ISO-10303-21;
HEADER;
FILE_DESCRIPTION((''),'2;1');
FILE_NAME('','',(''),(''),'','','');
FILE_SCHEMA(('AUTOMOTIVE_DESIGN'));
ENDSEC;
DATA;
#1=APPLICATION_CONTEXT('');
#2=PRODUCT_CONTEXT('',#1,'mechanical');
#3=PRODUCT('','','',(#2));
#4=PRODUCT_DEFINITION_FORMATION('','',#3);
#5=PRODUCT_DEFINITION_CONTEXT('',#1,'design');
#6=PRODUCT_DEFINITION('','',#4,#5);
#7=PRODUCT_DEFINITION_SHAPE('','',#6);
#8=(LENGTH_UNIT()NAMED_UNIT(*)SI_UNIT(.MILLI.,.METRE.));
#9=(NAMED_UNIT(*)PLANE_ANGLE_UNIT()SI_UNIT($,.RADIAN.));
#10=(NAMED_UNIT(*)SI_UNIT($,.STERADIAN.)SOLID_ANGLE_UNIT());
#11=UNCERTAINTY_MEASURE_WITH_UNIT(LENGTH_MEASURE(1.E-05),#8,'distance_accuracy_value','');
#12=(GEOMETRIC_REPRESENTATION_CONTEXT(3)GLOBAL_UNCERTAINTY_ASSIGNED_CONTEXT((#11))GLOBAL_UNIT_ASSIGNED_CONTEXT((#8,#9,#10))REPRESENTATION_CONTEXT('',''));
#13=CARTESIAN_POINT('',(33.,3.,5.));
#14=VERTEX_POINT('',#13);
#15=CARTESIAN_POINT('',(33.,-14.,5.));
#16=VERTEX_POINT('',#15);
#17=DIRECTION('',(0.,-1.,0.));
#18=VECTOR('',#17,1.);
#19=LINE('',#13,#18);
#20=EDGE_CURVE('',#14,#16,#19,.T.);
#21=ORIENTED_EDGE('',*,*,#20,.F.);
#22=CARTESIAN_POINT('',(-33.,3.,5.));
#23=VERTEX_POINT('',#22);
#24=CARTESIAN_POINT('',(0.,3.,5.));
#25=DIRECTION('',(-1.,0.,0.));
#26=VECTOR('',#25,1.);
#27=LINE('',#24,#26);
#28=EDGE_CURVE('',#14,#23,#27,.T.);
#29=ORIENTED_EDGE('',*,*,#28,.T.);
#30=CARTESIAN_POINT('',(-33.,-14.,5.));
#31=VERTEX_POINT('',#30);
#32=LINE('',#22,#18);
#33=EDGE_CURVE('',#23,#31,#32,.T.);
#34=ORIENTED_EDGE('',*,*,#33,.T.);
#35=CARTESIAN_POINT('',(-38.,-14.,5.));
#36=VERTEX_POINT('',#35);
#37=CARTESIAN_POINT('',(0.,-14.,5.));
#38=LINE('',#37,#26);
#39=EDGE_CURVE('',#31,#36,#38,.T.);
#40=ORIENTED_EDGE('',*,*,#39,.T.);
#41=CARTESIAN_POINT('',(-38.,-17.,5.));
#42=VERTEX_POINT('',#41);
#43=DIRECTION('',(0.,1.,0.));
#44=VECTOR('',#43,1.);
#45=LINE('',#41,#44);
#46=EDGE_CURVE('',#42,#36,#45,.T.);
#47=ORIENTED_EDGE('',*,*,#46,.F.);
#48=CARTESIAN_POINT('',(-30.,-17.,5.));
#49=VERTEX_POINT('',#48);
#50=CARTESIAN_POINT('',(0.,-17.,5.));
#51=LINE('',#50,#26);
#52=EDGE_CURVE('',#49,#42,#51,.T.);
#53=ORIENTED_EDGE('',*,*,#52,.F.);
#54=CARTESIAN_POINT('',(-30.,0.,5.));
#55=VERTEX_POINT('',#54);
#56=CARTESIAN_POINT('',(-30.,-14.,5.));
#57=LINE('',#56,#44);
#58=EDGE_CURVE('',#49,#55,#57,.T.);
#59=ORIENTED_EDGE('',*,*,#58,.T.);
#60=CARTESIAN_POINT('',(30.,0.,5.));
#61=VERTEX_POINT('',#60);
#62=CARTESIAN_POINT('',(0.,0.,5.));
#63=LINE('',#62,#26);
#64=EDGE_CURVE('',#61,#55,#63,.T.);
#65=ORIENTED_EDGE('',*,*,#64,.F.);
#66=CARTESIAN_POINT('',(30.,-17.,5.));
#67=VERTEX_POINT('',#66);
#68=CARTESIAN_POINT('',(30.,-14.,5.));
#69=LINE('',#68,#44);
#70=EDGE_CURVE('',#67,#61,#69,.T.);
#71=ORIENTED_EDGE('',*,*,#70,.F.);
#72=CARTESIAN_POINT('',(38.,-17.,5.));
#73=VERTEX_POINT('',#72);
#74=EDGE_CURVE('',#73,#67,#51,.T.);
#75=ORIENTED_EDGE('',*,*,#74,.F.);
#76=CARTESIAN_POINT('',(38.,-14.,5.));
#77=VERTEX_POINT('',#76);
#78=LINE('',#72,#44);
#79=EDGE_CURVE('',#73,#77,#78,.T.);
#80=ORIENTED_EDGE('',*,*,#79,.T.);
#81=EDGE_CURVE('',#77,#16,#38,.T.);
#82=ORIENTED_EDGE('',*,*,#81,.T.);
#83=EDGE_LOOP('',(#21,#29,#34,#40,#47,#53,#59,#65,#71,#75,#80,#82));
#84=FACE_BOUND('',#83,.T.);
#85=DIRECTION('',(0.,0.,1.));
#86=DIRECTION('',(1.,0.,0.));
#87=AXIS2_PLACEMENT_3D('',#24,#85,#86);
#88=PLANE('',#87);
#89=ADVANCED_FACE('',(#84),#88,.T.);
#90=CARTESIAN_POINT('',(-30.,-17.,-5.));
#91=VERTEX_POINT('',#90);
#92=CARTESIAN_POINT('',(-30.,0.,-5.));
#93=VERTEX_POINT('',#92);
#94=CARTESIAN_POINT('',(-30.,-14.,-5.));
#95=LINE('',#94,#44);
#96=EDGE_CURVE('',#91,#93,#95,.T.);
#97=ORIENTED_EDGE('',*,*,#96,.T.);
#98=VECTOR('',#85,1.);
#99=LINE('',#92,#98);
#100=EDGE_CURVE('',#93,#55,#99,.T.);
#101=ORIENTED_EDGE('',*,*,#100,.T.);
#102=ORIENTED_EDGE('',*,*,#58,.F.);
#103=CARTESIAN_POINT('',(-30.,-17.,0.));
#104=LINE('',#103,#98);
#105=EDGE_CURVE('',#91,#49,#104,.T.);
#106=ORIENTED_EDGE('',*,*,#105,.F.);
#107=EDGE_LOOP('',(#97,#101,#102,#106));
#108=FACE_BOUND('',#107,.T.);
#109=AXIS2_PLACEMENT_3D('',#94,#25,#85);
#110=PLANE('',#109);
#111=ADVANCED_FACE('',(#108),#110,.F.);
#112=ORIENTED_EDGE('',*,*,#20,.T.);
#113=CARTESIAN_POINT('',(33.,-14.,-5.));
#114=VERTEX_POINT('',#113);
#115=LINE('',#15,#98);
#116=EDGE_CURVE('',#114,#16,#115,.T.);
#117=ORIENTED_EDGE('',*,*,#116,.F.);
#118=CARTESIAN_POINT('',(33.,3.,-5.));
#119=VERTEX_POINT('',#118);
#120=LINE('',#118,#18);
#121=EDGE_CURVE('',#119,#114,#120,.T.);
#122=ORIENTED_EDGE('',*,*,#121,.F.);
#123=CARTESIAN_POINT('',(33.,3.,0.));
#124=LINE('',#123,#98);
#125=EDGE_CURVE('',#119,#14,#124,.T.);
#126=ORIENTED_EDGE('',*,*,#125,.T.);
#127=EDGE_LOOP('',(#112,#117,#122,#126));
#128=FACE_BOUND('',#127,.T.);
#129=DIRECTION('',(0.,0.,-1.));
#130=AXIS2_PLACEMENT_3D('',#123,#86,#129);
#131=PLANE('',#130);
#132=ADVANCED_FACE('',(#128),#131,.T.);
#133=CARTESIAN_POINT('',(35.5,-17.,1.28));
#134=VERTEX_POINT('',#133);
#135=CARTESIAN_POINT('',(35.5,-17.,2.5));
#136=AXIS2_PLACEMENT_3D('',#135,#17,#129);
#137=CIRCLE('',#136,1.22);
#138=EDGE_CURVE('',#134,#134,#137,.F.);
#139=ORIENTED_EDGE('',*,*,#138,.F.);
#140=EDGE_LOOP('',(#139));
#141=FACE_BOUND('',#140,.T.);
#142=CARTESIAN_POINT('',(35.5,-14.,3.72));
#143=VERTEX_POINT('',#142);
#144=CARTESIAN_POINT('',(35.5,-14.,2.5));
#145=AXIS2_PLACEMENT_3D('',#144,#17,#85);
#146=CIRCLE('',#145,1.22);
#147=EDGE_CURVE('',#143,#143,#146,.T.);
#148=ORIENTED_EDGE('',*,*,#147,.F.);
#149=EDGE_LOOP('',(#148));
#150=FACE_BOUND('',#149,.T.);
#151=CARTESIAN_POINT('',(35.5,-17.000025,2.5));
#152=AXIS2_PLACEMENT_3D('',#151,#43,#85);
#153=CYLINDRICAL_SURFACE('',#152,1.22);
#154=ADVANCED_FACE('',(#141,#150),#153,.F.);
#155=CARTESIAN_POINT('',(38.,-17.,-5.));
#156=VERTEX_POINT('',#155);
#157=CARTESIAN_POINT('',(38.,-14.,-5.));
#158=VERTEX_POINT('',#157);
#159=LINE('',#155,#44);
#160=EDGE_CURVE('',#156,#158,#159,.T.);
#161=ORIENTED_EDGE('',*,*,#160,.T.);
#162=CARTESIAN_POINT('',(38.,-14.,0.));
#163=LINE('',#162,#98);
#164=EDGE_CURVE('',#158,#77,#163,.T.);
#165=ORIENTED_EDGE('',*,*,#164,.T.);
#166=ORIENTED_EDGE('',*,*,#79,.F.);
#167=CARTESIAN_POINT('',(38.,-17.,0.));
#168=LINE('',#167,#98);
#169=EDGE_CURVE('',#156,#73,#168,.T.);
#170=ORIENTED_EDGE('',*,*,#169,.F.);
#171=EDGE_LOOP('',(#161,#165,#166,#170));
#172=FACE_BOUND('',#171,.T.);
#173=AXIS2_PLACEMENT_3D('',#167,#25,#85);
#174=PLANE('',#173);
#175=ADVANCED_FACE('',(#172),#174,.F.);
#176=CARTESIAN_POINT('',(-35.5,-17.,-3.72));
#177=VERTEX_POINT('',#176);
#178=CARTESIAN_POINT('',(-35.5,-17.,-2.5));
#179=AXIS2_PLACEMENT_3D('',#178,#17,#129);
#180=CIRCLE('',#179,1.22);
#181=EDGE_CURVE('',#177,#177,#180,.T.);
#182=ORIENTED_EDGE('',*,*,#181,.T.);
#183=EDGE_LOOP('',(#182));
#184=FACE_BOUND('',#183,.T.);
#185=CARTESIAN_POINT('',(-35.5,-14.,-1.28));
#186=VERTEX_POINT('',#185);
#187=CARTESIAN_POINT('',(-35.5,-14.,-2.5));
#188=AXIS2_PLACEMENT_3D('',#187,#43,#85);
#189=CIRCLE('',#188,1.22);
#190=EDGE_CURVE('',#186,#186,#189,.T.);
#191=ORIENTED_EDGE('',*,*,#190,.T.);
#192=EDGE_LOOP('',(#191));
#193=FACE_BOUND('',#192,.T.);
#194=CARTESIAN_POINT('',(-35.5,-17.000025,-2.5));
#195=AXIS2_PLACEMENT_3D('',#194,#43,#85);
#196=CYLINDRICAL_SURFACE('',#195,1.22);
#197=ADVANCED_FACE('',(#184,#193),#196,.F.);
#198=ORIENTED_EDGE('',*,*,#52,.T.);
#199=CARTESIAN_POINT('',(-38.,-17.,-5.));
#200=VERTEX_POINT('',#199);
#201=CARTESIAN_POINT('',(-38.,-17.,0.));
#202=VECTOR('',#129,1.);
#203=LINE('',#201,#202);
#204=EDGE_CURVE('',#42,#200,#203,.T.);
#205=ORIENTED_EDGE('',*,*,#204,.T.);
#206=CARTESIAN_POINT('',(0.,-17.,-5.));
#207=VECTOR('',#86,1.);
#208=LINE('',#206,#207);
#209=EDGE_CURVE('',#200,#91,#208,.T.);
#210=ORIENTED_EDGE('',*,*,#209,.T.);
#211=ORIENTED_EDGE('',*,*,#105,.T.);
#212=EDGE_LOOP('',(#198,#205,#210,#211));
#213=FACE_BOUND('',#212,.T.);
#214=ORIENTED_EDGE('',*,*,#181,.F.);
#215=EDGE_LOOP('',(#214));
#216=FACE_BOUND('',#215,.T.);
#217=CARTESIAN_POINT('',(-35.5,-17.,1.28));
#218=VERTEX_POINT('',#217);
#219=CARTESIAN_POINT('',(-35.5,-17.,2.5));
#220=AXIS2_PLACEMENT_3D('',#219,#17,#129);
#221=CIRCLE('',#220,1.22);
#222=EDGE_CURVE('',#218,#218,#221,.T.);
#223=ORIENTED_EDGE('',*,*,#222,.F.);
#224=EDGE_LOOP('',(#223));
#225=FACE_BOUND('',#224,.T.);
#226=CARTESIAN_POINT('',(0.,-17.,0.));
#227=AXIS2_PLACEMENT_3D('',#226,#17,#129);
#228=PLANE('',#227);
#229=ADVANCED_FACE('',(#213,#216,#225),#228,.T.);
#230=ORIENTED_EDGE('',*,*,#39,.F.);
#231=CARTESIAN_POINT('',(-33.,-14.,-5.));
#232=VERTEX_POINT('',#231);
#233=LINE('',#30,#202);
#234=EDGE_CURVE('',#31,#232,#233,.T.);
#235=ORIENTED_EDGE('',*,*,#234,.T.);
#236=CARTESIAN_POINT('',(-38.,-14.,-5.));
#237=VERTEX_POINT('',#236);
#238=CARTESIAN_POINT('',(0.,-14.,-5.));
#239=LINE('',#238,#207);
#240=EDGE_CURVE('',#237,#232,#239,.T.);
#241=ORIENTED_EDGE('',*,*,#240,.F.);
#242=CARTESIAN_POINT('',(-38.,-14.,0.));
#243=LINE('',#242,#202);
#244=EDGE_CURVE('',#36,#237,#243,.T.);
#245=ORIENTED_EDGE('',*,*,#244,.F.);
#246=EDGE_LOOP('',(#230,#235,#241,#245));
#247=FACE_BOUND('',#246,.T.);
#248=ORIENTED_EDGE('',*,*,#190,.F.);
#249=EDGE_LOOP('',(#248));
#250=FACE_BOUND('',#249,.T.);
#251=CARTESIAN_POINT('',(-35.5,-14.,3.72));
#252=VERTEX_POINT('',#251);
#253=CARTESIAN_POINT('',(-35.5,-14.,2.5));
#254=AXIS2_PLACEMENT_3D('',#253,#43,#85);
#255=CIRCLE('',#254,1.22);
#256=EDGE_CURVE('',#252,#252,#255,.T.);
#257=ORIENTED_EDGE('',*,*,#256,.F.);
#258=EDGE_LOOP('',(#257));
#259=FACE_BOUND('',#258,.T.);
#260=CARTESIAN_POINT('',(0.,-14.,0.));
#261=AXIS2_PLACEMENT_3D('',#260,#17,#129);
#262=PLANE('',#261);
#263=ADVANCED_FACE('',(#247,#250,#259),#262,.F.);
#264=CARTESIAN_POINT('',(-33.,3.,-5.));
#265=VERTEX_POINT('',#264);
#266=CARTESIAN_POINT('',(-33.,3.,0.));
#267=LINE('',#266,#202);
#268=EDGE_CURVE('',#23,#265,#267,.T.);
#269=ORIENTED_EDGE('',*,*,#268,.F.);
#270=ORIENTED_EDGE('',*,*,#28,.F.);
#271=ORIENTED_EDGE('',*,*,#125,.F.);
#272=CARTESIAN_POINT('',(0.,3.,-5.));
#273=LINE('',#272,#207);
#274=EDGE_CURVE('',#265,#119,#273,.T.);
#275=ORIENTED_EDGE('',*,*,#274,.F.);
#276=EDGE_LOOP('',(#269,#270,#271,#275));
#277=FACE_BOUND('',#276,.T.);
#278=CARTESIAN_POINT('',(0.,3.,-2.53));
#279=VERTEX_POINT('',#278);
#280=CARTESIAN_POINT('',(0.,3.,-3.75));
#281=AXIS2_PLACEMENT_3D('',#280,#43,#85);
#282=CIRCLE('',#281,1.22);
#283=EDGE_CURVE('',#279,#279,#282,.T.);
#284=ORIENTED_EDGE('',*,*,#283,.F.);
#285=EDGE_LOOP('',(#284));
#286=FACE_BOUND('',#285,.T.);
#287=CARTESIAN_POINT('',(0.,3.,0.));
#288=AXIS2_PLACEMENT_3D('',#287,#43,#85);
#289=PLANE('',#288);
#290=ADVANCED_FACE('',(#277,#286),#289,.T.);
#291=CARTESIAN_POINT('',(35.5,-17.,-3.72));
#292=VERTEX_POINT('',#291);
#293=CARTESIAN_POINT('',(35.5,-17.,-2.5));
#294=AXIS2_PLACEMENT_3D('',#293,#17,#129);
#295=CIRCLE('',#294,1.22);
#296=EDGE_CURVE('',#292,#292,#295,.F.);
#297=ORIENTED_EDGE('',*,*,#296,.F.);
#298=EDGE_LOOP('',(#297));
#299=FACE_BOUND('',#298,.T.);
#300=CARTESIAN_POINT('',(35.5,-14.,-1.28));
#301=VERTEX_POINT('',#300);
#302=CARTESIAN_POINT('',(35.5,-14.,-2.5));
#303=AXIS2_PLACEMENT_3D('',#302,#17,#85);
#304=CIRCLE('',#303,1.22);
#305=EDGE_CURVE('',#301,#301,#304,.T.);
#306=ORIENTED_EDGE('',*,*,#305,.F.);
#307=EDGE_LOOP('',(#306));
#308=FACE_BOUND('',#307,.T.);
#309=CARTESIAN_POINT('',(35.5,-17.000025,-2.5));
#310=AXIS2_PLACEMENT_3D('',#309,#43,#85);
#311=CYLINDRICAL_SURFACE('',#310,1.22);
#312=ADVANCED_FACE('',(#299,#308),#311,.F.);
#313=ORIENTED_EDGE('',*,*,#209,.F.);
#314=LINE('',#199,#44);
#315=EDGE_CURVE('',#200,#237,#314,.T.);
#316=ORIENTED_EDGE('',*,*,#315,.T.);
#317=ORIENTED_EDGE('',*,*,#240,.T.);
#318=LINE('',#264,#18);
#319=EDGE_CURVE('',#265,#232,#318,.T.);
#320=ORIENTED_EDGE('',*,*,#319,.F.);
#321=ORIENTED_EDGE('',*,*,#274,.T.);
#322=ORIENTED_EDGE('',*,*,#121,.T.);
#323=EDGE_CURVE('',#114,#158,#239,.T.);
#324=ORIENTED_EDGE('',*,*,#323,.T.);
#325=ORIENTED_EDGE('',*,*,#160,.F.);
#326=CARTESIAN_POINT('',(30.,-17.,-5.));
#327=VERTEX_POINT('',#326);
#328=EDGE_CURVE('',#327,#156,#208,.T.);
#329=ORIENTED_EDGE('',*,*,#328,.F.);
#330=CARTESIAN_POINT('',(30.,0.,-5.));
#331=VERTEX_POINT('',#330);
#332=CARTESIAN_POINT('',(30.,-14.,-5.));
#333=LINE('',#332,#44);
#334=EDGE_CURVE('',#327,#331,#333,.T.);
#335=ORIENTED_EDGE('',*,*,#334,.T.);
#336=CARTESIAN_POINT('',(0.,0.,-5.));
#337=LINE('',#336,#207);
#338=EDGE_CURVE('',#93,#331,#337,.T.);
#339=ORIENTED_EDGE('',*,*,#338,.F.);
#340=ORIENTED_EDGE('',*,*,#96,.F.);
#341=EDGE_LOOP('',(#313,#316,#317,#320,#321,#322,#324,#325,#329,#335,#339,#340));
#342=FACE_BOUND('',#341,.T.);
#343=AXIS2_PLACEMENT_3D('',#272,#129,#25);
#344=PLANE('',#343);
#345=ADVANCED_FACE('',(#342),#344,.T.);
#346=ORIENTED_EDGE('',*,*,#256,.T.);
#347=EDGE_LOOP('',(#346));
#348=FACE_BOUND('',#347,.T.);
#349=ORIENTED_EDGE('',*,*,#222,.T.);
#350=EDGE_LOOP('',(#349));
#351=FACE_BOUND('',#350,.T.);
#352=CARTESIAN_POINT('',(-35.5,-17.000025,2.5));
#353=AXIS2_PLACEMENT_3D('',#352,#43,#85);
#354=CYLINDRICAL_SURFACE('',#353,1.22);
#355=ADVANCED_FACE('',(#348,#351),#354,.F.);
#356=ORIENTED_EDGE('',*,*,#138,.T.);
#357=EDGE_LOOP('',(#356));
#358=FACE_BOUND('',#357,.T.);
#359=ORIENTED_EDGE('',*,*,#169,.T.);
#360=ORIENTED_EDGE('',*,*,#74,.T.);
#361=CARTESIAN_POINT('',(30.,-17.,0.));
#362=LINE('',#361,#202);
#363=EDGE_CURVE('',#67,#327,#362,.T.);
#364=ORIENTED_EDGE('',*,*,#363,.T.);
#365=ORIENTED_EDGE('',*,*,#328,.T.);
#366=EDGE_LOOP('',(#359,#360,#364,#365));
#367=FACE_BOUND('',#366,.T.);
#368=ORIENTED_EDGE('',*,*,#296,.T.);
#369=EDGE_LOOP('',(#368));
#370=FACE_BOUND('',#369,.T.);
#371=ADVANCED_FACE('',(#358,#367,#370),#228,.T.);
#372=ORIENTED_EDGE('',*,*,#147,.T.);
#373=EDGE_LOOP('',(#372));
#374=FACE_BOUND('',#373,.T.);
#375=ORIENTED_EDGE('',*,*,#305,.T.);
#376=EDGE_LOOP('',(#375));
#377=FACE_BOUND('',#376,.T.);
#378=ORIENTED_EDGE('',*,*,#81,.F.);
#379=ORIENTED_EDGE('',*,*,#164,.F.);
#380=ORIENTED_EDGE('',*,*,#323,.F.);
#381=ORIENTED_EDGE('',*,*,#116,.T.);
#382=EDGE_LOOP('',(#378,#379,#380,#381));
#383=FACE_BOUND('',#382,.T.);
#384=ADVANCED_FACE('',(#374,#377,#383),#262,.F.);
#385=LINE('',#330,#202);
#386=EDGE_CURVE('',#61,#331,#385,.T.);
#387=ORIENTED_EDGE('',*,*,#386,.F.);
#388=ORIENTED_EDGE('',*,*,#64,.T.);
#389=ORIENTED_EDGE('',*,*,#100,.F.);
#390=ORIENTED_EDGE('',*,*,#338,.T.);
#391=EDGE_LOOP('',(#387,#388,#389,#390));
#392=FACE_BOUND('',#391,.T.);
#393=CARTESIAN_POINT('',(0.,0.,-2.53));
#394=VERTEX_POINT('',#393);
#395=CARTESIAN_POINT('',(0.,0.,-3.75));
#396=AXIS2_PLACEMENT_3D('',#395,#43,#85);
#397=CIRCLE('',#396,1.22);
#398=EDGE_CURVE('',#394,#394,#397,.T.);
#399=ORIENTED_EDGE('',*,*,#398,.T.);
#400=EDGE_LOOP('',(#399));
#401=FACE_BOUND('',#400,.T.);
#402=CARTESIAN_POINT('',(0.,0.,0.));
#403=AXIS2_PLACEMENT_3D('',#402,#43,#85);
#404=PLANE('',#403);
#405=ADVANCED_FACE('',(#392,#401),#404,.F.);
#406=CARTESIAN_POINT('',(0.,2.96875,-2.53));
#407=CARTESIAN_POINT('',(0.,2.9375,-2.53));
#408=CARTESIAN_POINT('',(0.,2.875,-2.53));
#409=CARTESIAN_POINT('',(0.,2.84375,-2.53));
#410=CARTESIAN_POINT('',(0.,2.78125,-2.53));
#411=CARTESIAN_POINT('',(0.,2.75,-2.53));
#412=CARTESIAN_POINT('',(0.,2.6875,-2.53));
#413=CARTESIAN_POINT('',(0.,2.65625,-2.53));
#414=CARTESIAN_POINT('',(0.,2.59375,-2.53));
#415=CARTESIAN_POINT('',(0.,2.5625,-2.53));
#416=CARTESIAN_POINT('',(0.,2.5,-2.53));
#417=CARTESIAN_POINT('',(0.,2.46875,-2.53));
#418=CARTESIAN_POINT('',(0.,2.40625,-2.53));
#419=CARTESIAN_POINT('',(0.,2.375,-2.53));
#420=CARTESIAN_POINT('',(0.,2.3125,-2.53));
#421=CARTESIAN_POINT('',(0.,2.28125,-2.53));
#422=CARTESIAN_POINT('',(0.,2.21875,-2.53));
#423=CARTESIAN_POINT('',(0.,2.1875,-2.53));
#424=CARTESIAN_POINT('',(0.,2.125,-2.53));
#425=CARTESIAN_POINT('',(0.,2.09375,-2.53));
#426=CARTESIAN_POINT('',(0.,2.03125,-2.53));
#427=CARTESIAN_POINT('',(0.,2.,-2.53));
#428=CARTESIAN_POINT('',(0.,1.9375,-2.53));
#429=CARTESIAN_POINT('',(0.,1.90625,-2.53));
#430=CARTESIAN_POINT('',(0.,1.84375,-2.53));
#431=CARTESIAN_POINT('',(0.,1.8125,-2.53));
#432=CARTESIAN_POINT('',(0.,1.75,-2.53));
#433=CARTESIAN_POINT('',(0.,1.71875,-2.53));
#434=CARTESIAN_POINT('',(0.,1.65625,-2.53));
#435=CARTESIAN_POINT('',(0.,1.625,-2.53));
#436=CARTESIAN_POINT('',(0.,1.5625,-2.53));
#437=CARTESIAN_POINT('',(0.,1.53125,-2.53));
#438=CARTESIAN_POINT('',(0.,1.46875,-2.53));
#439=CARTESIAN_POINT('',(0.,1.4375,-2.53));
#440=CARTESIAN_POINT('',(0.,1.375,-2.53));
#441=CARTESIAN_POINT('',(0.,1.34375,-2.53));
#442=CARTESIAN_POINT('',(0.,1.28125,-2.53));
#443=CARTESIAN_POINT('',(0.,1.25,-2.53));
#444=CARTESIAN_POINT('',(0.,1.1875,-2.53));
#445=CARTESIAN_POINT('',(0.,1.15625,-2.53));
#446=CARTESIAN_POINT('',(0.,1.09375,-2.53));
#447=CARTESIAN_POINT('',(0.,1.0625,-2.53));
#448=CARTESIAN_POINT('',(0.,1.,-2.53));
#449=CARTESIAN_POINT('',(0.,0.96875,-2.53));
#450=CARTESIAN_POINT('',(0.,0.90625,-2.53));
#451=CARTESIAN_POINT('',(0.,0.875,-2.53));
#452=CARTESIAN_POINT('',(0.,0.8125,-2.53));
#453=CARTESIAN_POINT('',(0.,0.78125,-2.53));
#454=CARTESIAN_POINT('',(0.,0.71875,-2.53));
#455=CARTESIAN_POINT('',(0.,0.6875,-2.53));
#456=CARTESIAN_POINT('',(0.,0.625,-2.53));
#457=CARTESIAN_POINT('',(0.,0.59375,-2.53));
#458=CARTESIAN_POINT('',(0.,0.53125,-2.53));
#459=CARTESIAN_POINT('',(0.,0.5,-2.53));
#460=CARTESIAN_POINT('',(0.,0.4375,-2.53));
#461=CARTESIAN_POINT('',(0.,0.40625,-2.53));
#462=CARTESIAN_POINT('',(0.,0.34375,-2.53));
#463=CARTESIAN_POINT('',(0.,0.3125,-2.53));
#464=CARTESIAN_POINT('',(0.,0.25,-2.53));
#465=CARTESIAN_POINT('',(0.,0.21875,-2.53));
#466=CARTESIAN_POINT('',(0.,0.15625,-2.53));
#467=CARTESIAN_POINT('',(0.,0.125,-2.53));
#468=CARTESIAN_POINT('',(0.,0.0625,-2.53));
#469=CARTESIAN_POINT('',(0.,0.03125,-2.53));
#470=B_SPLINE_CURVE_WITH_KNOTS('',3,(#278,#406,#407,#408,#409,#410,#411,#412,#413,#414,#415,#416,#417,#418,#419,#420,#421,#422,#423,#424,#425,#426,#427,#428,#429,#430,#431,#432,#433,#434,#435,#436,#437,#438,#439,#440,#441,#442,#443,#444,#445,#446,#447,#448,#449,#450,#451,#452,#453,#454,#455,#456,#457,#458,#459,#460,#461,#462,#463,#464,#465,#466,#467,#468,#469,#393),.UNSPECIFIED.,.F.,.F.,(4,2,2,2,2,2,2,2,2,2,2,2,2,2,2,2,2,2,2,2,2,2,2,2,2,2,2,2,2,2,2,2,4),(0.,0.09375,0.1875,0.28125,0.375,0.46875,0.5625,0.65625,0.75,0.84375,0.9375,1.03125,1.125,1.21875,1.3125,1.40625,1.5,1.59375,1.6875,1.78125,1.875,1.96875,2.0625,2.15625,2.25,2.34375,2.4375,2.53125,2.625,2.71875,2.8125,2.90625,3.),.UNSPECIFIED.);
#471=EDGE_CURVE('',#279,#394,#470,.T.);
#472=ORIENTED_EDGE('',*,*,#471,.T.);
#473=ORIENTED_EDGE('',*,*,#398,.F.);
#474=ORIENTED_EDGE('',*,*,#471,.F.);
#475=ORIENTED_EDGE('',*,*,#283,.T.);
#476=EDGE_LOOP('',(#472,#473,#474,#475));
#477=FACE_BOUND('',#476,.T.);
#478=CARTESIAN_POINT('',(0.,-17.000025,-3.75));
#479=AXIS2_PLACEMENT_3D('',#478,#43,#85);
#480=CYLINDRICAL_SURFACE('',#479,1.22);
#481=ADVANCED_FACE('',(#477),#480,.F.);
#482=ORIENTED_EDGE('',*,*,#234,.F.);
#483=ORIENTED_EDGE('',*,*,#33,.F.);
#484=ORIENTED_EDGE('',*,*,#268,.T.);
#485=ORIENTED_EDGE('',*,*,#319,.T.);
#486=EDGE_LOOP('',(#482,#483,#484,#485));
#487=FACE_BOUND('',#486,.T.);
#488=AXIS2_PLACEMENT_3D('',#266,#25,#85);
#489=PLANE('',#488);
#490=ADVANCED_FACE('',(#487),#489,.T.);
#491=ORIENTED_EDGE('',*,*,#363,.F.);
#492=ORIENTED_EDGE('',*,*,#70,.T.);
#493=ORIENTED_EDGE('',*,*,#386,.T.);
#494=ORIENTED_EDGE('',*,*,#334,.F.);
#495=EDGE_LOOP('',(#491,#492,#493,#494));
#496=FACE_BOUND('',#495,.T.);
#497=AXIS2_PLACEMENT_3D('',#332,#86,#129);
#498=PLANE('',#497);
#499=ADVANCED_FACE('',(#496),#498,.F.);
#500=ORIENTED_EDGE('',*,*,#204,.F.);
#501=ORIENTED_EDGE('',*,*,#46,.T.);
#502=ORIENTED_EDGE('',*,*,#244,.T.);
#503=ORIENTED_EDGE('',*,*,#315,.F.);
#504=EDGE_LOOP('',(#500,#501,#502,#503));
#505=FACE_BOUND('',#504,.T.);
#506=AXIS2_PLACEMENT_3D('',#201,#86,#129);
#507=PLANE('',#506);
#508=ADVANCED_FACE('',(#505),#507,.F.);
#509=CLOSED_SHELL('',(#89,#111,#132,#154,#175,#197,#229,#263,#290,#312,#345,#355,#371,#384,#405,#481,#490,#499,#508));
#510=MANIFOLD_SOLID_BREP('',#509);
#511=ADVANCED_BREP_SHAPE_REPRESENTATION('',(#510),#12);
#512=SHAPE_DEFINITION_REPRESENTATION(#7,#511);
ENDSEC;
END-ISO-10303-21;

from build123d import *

# Parameters (mm, degrees)
SKETCH1_W           = 66
SKETCH1_H           = 5
BOSS_EXTRUDE1_DEPTH = 3
SKETCH3_W           = 3
SKETCH3_H           = 10
BOSS_EXTRUDE2_DEPTH = 14
SKETCH4_W           = 8
SKETCH4_H           = 10
BOSS_EXTRUDE3_DEPTH = 3
SKETCH5_R           = 1.22
CUT_EXTRUDE1_DEPTH  = 44.231932642
SKETCH6_R           = 1.22
CUT_EXTRUDE2_DEPTH  = 42.928510586


with BuildPart() as part:
    # Sketch1 → Boss-Extrude1 (new body)
    with BuildSketch(Plane(origin=(0, 0, 0), x_dir=(1, 0, 0), z_dir=(0, 1, 0))):
        with Locations((0, 2.5)):
            Rectangle(SKETCH1_W, SKETCH1_H)
        with Locations((0, -2.5)):
            Rectangle(SKETCH1_W, SKETCH1_H)
    extrude(amount=BOSS_EXTRUDE1_DEPTH)

    # Sketch3 → Boss-Extrude2 (add)
    with BuildSketch(Plane.XZ):
        with Locations((-31.5, 0)):
            Rectangle(SKETCH3_W, SKETCH3_H)
        with Locations((31.5, 0)):
            Rectangle(SKETCH3_W, SKETCH3_H)
    extrude(amount=BOSS_EXTRUDE2_DEPTH)

    # Sketch4 → Boss-Extrude3 (add)
    with BuildSketch(Plane.XZ.offset(14)):
        with Locations((-34, 0)):
            Rectangle(SKETCH4_W, SKETCH4_H)
        with Locations((34, 0)):
            Rectangle(SKETCH4_W, SKETCH4_H)
    extrude(amount=BOSS_EXTRUDE3_DEPTH)

    # Sketch5 → Cut-Extrude1 (cut, through all)
    with BuildSketch(Plane(origin=(0, 3, 0), x_dir=(1, 0, 0), z_dir=(0, 1, 0))):
        with Locations(Location((0, 3.75, 0), (0, 0, 270))):
            Circle(SKETCH5_R)
    extrude(amount=-CUT_EXTRUDE1_DEPTH, mode=Mode.SUBTRACT)

    # Sketch6 → Cut-Extrude2 (cut, through all)
    with BuildSketch(Plane(origin=(0, -14, 0), x_dir=(1, 0, 0), z_dir=(0, 1, 0))):
        with Locations(Location((-35.5, -2.5, 0), (0, 0, 270))):
            Circle(SKETCH6_R)
        with Locations(Location((-35.5, 2.5, 0), (0, 0, 270))):
            Circle(SKETCH6_R)
    cut_extrude2 = extrude(amount=-CUT_EXTRUDE2_DEPTH, mode=Mode.SUBTRACT)

    # Mirror1: Cut-Extrude2 across plane
    add(cut_extrude2.mirror(Plane(origin=(0, 0, 0), x_dir=(0, 0, 1), z_dir=(1, 0, 0))), mode=Mode.SUBTRACT)


solid = part.part
